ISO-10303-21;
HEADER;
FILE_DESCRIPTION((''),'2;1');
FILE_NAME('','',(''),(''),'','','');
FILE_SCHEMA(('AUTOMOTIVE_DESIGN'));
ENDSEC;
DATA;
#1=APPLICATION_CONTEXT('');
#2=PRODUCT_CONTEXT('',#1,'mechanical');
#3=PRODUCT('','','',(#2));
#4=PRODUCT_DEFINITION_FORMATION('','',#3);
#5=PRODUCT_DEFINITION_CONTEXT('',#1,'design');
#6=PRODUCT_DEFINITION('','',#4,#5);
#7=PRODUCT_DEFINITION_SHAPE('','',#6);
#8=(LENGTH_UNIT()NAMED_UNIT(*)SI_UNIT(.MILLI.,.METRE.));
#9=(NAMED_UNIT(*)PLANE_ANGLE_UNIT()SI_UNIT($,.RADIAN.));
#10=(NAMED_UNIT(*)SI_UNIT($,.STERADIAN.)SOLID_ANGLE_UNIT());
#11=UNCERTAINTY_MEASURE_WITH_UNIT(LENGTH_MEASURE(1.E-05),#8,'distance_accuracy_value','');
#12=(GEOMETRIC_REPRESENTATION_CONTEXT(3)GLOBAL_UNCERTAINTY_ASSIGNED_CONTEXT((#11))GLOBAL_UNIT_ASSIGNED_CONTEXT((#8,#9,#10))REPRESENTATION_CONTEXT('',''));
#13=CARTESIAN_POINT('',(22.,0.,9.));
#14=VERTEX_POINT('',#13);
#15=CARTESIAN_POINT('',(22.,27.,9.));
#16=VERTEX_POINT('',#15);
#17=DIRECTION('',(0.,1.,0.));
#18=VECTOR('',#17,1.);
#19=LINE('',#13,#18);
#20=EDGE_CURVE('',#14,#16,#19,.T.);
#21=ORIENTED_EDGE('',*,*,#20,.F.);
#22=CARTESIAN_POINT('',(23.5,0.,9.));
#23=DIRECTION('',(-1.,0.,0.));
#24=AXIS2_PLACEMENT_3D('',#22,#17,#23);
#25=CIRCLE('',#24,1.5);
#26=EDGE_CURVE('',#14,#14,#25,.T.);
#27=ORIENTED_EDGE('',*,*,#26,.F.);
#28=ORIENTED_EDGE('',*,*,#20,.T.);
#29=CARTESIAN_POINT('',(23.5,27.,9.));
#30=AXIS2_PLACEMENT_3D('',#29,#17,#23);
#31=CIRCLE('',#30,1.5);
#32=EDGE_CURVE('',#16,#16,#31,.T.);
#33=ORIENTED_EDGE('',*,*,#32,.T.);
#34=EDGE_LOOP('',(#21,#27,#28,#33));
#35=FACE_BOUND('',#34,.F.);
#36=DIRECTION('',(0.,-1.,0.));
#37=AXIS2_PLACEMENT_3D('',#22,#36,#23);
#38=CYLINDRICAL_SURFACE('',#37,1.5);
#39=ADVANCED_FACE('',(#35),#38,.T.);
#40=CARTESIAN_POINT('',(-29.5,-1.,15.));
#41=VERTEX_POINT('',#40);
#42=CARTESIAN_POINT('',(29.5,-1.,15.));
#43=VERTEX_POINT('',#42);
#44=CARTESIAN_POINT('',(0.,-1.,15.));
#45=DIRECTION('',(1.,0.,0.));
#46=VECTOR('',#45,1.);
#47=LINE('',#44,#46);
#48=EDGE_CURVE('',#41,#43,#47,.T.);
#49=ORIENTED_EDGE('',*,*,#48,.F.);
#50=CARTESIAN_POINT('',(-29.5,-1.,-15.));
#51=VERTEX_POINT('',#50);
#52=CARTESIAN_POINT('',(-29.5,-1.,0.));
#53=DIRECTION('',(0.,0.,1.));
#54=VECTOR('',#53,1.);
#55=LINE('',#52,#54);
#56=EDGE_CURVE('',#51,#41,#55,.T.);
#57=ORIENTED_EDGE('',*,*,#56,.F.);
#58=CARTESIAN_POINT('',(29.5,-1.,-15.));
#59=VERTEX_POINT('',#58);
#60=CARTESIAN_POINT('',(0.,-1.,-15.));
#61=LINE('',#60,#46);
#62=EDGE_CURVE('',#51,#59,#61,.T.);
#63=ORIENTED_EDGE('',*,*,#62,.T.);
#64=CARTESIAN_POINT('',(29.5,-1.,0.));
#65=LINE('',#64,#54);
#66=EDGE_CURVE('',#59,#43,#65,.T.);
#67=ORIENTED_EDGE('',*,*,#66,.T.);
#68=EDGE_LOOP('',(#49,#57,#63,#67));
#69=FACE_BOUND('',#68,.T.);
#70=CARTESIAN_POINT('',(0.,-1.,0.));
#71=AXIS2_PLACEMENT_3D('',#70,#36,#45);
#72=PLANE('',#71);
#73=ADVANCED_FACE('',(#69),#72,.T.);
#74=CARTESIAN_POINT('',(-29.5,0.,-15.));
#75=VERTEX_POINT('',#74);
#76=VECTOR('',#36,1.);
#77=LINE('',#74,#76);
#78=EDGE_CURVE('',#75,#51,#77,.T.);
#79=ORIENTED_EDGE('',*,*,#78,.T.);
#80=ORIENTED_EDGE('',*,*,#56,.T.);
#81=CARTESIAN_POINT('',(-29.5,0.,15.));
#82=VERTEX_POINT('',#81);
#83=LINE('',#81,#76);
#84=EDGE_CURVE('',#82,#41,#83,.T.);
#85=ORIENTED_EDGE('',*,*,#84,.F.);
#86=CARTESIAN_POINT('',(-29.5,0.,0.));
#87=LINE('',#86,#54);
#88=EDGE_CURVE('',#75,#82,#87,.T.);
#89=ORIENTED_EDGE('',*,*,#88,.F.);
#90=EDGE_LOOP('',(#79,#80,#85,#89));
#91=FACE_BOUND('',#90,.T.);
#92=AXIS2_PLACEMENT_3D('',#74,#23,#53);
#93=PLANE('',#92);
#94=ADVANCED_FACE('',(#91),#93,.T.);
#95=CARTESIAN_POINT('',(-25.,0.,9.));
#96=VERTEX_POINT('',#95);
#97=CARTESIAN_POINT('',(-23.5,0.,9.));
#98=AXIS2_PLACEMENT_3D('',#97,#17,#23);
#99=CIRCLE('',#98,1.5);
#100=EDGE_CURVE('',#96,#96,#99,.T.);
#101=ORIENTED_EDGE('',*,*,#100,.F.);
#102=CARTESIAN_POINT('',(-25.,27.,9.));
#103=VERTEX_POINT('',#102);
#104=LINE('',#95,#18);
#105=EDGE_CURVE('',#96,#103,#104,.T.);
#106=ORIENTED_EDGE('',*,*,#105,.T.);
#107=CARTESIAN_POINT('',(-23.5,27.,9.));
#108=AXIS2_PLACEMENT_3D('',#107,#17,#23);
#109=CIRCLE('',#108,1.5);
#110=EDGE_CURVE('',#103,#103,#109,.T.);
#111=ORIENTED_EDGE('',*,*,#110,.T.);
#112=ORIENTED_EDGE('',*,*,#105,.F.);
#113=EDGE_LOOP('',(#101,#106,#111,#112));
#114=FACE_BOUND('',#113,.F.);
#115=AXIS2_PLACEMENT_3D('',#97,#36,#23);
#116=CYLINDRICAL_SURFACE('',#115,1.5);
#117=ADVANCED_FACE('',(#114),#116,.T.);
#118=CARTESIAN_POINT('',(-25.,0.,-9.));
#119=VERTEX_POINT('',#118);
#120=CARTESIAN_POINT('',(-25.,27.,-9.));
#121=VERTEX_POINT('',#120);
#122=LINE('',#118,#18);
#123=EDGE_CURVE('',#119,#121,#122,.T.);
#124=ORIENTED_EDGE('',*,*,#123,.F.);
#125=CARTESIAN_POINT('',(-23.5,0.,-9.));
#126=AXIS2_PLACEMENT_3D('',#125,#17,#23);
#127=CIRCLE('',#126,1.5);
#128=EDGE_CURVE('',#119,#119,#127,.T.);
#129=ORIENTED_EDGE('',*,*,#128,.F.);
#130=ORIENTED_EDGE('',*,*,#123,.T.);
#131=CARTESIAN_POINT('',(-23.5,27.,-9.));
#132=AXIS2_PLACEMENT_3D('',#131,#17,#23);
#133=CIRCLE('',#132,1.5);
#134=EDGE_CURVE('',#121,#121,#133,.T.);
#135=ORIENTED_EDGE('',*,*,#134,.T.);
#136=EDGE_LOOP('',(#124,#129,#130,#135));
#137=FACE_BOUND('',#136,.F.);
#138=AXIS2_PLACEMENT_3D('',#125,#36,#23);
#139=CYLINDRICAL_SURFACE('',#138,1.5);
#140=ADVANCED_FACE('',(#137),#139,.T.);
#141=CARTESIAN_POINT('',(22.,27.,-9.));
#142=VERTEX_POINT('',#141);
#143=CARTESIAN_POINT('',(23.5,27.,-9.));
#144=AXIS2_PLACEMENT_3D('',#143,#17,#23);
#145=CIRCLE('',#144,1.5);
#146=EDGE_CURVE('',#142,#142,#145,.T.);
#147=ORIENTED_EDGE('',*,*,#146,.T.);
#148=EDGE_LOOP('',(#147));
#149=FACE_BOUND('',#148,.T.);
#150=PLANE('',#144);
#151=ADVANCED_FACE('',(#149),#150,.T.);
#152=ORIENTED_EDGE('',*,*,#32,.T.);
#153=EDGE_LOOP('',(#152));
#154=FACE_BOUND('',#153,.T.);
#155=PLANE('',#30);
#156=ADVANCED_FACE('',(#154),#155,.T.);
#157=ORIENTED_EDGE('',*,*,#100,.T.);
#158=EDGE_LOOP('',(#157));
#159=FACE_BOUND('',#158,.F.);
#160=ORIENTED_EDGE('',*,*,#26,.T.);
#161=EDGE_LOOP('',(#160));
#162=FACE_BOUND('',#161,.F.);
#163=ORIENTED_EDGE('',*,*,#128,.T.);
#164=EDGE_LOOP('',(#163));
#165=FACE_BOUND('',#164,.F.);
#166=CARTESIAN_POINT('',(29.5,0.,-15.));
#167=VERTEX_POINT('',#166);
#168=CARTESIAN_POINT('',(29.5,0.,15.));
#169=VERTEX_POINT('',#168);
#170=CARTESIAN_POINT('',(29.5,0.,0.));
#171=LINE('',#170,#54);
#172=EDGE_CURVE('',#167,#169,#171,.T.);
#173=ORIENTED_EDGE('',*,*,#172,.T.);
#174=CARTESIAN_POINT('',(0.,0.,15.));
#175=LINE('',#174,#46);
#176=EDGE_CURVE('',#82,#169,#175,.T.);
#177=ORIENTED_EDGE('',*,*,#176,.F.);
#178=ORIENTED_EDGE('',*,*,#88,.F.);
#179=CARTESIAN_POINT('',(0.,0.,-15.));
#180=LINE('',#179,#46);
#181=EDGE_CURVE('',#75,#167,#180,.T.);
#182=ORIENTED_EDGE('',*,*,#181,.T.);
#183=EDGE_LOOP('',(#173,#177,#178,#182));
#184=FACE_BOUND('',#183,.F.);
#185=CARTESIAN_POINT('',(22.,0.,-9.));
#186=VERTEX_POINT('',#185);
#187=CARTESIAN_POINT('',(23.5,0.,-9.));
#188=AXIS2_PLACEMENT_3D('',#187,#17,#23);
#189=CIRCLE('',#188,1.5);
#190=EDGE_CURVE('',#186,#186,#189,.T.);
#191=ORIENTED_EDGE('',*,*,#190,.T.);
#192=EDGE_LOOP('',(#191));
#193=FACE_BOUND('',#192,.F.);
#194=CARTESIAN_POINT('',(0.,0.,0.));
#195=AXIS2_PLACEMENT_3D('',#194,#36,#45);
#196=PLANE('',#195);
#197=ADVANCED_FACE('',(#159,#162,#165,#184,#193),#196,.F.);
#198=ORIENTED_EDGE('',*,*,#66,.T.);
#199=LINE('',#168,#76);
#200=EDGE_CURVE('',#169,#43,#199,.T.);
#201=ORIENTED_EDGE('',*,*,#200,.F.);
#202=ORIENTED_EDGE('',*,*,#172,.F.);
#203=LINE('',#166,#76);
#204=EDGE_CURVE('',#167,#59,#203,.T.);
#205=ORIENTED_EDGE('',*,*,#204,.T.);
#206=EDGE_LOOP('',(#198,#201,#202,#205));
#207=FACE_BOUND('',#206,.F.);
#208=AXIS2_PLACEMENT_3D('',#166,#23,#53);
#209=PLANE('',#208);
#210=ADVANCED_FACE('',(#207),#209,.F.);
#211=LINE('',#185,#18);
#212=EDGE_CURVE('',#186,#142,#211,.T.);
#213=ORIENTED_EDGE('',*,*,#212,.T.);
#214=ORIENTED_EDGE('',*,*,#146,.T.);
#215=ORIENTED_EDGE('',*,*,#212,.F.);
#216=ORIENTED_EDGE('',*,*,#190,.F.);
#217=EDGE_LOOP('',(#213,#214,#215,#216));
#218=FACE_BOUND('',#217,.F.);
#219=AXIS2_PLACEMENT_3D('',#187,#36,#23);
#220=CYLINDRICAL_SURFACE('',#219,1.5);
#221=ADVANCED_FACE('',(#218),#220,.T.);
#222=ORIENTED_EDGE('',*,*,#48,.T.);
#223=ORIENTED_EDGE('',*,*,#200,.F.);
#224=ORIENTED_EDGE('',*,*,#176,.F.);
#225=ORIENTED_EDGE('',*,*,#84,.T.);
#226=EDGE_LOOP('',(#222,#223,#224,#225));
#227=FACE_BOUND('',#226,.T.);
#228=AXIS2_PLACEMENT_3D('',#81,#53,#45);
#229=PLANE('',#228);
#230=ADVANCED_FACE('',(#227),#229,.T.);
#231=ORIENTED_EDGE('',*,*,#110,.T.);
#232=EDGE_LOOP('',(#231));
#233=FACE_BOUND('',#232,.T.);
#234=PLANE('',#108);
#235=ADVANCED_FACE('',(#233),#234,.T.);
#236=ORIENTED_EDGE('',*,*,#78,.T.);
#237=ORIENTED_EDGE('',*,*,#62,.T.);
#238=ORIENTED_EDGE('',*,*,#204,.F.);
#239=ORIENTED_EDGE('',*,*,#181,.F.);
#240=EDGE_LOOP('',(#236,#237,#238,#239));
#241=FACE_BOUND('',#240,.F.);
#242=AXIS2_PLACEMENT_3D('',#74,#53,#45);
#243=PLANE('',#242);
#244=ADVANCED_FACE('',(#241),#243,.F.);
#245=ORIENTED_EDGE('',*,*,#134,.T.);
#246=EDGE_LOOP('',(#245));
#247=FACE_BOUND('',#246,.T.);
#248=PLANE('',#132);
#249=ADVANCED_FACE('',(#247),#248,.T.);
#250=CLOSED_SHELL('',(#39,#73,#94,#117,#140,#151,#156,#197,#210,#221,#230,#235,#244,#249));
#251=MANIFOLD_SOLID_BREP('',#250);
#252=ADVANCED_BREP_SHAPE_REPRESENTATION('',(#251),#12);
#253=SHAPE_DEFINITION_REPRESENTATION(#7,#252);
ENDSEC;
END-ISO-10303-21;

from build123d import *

# Parameters (mm, degrees)
F0_W     = 59
F0_H     = 30
F1_DEPTH = 1
F2_R     = 1.5
F3_DEPTH = 27


with BuildPart() as f1:
    # F0 (on Front) → F1 (new body)
    with BuildSketch(Plane.XZ):
        Rectangle(F0_W, F0_H)
    extrude(amount=F1_DEPTH)

    # F2 (on face) → F3 (join)
    with BuildSketch(Plane(origin=(0, 0, 0), x_dir=(-1, 0, 0), z_dir=(0, 1, 0))):
        with Locations((23.5, 9)):
            Circle(F2_R)
        with Locations((-23.5, 9)):
            Circle(F2_R)
        with Locations((-23.5, -9)):
            Circle(F2_R)
        with Locations((23.5, -9)):
            Circle(F2_R)
    extrude(amount=F3_DEPTH)


solid = f1.part
